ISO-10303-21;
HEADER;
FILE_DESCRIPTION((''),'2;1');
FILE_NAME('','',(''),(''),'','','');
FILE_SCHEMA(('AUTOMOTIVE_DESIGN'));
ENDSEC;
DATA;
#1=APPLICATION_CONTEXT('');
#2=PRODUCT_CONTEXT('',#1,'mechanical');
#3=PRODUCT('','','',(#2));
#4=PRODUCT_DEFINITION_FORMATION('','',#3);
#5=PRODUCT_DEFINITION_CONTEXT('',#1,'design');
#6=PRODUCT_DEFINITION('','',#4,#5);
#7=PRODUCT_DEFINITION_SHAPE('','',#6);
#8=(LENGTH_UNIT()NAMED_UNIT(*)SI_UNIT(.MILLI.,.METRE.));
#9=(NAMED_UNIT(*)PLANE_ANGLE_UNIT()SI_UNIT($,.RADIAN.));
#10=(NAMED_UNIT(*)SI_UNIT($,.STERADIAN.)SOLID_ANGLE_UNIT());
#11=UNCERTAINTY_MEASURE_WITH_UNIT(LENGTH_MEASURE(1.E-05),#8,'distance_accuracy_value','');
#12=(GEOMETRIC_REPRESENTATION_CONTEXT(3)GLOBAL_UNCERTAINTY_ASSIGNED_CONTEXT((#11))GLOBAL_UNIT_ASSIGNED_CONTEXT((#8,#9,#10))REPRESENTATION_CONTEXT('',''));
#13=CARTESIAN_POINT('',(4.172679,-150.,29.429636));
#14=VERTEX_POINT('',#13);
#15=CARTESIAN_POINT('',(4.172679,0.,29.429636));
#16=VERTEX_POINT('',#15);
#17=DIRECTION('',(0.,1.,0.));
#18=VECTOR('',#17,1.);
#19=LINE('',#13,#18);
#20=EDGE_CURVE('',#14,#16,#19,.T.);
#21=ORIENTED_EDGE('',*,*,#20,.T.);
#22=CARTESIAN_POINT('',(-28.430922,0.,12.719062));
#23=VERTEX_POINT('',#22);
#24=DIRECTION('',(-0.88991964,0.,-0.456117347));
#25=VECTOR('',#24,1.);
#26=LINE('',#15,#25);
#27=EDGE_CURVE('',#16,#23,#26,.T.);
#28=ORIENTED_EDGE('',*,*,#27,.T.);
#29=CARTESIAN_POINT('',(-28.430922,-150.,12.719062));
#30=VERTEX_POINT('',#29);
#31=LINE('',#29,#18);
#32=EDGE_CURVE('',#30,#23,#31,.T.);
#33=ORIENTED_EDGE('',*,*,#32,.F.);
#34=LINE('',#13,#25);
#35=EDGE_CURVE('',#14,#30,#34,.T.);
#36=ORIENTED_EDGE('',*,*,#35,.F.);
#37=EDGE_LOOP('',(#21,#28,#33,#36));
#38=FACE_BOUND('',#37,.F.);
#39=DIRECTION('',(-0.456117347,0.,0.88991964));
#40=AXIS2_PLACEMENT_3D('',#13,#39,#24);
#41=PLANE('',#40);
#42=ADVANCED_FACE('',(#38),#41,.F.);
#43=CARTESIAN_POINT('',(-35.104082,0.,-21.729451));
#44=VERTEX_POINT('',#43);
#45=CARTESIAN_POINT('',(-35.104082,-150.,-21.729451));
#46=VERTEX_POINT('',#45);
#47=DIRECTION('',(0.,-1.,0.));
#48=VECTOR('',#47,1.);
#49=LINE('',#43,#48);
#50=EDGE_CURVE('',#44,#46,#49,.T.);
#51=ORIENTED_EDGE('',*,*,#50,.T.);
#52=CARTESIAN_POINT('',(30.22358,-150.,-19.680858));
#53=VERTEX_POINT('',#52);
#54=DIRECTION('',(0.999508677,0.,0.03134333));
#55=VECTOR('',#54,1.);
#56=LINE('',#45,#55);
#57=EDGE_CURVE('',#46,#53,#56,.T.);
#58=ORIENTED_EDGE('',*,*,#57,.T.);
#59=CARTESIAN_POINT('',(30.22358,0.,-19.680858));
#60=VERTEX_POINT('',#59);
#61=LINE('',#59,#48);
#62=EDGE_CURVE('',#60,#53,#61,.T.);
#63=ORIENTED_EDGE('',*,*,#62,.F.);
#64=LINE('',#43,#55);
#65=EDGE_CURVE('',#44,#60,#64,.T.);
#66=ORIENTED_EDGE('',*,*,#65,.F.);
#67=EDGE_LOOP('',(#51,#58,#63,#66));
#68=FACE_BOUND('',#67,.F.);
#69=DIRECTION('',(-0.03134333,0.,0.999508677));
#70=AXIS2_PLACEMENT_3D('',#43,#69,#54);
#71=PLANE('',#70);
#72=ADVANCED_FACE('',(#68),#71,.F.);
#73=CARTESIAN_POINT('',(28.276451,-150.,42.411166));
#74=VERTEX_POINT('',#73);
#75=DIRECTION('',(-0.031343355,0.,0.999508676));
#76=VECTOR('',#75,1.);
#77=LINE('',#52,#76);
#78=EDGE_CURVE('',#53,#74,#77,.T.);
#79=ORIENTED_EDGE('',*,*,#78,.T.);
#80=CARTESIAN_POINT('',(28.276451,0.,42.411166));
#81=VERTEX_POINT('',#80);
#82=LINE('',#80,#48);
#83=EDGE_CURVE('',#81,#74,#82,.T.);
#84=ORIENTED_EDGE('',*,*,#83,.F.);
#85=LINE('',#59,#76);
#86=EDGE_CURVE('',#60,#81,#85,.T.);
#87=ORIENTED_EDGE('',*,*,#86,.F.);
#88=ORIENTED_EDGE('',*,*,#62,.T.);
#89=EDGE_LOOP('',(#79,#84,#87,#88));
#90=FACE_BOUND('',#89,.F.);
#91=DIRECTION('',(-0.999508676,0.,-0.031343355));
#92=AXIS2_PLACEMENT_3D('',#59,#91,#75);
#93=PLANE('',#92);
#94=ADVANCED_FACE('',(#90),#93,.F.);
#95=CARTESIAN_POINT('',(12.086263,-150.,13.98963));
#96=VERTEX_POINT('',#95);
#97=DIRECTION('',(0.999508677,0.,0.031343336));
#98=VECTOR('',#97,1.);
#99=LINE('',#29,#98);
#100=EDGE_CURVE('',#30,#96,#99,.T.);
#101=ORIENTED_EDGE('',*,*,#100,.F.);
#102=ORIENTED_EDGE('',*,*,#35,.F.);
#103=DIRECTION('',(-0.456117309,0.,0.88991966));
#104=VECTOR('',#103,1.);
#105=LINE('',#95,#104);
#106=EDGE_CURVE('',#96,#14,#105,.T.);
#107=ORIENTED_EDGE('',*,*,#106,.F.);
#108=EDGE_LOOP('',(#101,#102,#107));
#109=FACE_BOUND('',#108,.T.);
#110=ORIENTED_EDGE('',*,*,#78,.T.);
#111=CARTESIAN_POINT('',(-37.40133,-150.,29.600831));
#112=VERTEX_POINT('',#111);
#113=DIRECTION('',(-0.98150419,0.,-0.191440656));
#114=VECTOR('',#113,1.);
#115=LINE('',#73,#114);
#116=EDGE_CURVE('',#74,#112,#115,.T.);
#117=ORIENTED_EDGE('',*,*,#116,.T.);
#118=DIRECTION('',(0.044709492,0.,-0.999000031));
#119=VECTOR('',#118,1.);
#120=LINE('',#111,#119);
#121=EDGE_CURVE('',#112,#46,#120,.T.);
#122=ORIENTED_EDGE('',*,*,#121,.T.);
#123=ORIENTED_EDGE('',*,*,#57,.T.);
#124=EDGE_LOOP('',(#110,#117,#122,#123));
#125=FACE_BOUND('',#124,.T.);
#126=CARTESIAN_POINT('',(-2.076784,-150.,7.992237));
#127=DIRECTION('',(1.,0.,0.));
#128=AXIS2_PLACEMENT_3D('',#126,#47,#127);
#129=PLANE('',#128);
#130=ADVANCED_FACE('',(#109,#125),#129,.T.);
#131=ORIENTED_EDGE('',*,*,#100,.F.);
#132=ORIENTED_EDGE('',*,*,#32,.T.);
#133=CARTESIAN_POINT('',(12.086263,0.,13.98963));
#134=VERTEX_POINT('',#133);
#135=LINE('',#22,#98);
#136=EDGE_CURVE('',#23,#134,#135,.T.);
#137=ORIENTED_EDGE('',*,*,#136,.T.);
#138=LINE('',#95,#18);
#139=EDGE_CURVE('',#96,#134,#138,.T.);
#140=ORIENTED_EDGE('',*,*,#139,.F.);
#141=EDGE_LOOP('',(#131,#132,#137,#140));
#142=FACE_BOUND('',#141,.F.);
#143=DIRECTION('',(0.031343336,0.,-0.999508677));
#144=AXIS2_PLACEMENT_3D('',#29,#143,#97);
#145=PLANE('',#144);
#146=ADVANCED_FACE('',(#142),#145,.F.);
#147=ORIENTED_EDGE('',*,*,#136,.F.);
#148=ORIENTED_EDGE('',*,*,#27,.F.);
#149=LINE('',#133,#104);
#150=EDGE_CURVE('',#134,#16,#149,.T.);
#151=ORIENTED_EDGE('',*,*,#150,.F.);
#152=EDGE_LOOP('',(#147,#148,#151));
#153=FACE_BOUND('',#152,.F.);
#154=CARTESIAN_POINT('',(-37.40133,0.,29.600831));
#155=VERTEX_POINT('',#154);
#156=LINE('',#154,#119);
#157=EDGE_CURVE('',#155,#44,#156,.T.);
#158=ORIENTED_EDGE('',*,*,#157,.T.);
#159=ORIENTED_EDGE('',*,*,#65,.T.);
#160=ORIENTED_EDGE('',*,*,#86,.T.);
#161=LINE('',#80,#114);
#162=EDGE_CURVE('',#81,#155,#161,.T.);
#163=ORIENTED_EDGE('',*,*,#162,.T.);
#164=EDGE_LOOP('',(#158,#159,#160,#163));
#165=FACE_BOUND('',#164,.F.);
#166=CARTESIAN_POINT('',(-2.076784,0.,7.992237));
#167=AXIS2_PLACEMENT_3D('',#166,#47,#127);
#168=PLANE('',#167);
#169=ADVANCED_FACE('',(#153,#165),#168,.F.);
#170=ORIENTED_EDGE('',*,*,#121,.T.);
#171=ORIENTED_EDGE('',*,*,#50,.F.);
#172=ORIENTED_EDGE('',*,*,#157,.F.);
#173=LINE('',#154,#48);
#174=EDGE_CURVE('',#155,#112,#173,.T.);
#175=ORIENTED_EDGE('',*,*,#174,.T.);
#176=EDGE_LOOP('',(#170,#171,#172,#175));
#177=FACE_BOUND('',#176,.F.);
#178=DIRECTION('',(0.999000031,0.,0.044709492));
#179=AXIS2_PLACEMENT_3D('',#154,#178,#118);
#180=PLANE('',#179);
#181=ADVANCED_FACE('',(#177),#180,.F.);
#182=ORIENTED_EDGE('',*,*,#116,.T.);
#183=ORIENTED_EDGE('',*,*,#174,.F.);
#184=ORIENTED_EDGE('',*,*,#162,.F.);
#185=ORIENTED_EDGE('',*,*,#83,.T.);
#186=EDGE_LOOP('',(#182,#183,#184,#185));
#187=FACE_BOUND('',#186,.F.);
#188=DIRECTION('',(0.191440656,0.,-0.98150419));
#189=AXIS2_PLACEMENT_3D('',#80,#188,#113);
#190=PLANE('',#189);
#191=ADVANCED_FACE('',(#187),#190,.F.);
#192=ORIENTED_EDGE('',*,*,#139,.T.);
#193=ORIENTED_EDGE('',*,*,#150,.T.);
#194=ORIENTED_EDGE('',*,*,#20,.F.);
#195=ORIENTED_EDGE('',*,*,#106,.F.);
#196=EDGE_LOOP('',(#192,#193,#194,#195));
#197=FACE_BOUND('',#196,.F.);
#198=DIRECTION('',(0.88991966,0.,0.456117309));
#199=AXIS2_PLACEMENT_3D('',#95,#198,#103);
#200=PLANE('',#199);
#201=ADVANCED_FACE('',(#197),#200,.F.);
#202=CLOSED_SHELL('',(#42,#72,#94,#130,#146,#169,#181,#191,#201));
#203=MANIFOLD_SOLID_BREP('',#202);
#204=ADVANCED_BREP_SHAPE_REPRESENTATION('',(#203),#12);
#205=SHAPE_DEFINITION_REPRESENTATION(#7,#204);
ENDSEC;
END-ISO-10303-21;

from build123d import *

# Parameters (mm, degrees)
F1_DEPTH = 150
F3_DEPTH = 150


with BuildPart() as f1:
    # F0 (on Front) → F1 (new body)
    with BuildSketch(Plane.XZ):
        Polygon((28.276451, 42.411166), (-37.40133, 29.600831), (-35.104082, -21.729451), (30.22358, -19.680858), align=None)
    extrude(amount=F1_DEPTH)

    # F2 (on face) → F3 (cut, through all)
    with BuildSketch(Plane.XZ.offset(150)):
        Polygon((4.172679, 29.429636), (-28.430922, 12.719062), (12.086263, 13.98963), align=None)
    extrude(amount=-F3_DEPTH, mode=Mode.SUBTRACT)


solid = f1.part
